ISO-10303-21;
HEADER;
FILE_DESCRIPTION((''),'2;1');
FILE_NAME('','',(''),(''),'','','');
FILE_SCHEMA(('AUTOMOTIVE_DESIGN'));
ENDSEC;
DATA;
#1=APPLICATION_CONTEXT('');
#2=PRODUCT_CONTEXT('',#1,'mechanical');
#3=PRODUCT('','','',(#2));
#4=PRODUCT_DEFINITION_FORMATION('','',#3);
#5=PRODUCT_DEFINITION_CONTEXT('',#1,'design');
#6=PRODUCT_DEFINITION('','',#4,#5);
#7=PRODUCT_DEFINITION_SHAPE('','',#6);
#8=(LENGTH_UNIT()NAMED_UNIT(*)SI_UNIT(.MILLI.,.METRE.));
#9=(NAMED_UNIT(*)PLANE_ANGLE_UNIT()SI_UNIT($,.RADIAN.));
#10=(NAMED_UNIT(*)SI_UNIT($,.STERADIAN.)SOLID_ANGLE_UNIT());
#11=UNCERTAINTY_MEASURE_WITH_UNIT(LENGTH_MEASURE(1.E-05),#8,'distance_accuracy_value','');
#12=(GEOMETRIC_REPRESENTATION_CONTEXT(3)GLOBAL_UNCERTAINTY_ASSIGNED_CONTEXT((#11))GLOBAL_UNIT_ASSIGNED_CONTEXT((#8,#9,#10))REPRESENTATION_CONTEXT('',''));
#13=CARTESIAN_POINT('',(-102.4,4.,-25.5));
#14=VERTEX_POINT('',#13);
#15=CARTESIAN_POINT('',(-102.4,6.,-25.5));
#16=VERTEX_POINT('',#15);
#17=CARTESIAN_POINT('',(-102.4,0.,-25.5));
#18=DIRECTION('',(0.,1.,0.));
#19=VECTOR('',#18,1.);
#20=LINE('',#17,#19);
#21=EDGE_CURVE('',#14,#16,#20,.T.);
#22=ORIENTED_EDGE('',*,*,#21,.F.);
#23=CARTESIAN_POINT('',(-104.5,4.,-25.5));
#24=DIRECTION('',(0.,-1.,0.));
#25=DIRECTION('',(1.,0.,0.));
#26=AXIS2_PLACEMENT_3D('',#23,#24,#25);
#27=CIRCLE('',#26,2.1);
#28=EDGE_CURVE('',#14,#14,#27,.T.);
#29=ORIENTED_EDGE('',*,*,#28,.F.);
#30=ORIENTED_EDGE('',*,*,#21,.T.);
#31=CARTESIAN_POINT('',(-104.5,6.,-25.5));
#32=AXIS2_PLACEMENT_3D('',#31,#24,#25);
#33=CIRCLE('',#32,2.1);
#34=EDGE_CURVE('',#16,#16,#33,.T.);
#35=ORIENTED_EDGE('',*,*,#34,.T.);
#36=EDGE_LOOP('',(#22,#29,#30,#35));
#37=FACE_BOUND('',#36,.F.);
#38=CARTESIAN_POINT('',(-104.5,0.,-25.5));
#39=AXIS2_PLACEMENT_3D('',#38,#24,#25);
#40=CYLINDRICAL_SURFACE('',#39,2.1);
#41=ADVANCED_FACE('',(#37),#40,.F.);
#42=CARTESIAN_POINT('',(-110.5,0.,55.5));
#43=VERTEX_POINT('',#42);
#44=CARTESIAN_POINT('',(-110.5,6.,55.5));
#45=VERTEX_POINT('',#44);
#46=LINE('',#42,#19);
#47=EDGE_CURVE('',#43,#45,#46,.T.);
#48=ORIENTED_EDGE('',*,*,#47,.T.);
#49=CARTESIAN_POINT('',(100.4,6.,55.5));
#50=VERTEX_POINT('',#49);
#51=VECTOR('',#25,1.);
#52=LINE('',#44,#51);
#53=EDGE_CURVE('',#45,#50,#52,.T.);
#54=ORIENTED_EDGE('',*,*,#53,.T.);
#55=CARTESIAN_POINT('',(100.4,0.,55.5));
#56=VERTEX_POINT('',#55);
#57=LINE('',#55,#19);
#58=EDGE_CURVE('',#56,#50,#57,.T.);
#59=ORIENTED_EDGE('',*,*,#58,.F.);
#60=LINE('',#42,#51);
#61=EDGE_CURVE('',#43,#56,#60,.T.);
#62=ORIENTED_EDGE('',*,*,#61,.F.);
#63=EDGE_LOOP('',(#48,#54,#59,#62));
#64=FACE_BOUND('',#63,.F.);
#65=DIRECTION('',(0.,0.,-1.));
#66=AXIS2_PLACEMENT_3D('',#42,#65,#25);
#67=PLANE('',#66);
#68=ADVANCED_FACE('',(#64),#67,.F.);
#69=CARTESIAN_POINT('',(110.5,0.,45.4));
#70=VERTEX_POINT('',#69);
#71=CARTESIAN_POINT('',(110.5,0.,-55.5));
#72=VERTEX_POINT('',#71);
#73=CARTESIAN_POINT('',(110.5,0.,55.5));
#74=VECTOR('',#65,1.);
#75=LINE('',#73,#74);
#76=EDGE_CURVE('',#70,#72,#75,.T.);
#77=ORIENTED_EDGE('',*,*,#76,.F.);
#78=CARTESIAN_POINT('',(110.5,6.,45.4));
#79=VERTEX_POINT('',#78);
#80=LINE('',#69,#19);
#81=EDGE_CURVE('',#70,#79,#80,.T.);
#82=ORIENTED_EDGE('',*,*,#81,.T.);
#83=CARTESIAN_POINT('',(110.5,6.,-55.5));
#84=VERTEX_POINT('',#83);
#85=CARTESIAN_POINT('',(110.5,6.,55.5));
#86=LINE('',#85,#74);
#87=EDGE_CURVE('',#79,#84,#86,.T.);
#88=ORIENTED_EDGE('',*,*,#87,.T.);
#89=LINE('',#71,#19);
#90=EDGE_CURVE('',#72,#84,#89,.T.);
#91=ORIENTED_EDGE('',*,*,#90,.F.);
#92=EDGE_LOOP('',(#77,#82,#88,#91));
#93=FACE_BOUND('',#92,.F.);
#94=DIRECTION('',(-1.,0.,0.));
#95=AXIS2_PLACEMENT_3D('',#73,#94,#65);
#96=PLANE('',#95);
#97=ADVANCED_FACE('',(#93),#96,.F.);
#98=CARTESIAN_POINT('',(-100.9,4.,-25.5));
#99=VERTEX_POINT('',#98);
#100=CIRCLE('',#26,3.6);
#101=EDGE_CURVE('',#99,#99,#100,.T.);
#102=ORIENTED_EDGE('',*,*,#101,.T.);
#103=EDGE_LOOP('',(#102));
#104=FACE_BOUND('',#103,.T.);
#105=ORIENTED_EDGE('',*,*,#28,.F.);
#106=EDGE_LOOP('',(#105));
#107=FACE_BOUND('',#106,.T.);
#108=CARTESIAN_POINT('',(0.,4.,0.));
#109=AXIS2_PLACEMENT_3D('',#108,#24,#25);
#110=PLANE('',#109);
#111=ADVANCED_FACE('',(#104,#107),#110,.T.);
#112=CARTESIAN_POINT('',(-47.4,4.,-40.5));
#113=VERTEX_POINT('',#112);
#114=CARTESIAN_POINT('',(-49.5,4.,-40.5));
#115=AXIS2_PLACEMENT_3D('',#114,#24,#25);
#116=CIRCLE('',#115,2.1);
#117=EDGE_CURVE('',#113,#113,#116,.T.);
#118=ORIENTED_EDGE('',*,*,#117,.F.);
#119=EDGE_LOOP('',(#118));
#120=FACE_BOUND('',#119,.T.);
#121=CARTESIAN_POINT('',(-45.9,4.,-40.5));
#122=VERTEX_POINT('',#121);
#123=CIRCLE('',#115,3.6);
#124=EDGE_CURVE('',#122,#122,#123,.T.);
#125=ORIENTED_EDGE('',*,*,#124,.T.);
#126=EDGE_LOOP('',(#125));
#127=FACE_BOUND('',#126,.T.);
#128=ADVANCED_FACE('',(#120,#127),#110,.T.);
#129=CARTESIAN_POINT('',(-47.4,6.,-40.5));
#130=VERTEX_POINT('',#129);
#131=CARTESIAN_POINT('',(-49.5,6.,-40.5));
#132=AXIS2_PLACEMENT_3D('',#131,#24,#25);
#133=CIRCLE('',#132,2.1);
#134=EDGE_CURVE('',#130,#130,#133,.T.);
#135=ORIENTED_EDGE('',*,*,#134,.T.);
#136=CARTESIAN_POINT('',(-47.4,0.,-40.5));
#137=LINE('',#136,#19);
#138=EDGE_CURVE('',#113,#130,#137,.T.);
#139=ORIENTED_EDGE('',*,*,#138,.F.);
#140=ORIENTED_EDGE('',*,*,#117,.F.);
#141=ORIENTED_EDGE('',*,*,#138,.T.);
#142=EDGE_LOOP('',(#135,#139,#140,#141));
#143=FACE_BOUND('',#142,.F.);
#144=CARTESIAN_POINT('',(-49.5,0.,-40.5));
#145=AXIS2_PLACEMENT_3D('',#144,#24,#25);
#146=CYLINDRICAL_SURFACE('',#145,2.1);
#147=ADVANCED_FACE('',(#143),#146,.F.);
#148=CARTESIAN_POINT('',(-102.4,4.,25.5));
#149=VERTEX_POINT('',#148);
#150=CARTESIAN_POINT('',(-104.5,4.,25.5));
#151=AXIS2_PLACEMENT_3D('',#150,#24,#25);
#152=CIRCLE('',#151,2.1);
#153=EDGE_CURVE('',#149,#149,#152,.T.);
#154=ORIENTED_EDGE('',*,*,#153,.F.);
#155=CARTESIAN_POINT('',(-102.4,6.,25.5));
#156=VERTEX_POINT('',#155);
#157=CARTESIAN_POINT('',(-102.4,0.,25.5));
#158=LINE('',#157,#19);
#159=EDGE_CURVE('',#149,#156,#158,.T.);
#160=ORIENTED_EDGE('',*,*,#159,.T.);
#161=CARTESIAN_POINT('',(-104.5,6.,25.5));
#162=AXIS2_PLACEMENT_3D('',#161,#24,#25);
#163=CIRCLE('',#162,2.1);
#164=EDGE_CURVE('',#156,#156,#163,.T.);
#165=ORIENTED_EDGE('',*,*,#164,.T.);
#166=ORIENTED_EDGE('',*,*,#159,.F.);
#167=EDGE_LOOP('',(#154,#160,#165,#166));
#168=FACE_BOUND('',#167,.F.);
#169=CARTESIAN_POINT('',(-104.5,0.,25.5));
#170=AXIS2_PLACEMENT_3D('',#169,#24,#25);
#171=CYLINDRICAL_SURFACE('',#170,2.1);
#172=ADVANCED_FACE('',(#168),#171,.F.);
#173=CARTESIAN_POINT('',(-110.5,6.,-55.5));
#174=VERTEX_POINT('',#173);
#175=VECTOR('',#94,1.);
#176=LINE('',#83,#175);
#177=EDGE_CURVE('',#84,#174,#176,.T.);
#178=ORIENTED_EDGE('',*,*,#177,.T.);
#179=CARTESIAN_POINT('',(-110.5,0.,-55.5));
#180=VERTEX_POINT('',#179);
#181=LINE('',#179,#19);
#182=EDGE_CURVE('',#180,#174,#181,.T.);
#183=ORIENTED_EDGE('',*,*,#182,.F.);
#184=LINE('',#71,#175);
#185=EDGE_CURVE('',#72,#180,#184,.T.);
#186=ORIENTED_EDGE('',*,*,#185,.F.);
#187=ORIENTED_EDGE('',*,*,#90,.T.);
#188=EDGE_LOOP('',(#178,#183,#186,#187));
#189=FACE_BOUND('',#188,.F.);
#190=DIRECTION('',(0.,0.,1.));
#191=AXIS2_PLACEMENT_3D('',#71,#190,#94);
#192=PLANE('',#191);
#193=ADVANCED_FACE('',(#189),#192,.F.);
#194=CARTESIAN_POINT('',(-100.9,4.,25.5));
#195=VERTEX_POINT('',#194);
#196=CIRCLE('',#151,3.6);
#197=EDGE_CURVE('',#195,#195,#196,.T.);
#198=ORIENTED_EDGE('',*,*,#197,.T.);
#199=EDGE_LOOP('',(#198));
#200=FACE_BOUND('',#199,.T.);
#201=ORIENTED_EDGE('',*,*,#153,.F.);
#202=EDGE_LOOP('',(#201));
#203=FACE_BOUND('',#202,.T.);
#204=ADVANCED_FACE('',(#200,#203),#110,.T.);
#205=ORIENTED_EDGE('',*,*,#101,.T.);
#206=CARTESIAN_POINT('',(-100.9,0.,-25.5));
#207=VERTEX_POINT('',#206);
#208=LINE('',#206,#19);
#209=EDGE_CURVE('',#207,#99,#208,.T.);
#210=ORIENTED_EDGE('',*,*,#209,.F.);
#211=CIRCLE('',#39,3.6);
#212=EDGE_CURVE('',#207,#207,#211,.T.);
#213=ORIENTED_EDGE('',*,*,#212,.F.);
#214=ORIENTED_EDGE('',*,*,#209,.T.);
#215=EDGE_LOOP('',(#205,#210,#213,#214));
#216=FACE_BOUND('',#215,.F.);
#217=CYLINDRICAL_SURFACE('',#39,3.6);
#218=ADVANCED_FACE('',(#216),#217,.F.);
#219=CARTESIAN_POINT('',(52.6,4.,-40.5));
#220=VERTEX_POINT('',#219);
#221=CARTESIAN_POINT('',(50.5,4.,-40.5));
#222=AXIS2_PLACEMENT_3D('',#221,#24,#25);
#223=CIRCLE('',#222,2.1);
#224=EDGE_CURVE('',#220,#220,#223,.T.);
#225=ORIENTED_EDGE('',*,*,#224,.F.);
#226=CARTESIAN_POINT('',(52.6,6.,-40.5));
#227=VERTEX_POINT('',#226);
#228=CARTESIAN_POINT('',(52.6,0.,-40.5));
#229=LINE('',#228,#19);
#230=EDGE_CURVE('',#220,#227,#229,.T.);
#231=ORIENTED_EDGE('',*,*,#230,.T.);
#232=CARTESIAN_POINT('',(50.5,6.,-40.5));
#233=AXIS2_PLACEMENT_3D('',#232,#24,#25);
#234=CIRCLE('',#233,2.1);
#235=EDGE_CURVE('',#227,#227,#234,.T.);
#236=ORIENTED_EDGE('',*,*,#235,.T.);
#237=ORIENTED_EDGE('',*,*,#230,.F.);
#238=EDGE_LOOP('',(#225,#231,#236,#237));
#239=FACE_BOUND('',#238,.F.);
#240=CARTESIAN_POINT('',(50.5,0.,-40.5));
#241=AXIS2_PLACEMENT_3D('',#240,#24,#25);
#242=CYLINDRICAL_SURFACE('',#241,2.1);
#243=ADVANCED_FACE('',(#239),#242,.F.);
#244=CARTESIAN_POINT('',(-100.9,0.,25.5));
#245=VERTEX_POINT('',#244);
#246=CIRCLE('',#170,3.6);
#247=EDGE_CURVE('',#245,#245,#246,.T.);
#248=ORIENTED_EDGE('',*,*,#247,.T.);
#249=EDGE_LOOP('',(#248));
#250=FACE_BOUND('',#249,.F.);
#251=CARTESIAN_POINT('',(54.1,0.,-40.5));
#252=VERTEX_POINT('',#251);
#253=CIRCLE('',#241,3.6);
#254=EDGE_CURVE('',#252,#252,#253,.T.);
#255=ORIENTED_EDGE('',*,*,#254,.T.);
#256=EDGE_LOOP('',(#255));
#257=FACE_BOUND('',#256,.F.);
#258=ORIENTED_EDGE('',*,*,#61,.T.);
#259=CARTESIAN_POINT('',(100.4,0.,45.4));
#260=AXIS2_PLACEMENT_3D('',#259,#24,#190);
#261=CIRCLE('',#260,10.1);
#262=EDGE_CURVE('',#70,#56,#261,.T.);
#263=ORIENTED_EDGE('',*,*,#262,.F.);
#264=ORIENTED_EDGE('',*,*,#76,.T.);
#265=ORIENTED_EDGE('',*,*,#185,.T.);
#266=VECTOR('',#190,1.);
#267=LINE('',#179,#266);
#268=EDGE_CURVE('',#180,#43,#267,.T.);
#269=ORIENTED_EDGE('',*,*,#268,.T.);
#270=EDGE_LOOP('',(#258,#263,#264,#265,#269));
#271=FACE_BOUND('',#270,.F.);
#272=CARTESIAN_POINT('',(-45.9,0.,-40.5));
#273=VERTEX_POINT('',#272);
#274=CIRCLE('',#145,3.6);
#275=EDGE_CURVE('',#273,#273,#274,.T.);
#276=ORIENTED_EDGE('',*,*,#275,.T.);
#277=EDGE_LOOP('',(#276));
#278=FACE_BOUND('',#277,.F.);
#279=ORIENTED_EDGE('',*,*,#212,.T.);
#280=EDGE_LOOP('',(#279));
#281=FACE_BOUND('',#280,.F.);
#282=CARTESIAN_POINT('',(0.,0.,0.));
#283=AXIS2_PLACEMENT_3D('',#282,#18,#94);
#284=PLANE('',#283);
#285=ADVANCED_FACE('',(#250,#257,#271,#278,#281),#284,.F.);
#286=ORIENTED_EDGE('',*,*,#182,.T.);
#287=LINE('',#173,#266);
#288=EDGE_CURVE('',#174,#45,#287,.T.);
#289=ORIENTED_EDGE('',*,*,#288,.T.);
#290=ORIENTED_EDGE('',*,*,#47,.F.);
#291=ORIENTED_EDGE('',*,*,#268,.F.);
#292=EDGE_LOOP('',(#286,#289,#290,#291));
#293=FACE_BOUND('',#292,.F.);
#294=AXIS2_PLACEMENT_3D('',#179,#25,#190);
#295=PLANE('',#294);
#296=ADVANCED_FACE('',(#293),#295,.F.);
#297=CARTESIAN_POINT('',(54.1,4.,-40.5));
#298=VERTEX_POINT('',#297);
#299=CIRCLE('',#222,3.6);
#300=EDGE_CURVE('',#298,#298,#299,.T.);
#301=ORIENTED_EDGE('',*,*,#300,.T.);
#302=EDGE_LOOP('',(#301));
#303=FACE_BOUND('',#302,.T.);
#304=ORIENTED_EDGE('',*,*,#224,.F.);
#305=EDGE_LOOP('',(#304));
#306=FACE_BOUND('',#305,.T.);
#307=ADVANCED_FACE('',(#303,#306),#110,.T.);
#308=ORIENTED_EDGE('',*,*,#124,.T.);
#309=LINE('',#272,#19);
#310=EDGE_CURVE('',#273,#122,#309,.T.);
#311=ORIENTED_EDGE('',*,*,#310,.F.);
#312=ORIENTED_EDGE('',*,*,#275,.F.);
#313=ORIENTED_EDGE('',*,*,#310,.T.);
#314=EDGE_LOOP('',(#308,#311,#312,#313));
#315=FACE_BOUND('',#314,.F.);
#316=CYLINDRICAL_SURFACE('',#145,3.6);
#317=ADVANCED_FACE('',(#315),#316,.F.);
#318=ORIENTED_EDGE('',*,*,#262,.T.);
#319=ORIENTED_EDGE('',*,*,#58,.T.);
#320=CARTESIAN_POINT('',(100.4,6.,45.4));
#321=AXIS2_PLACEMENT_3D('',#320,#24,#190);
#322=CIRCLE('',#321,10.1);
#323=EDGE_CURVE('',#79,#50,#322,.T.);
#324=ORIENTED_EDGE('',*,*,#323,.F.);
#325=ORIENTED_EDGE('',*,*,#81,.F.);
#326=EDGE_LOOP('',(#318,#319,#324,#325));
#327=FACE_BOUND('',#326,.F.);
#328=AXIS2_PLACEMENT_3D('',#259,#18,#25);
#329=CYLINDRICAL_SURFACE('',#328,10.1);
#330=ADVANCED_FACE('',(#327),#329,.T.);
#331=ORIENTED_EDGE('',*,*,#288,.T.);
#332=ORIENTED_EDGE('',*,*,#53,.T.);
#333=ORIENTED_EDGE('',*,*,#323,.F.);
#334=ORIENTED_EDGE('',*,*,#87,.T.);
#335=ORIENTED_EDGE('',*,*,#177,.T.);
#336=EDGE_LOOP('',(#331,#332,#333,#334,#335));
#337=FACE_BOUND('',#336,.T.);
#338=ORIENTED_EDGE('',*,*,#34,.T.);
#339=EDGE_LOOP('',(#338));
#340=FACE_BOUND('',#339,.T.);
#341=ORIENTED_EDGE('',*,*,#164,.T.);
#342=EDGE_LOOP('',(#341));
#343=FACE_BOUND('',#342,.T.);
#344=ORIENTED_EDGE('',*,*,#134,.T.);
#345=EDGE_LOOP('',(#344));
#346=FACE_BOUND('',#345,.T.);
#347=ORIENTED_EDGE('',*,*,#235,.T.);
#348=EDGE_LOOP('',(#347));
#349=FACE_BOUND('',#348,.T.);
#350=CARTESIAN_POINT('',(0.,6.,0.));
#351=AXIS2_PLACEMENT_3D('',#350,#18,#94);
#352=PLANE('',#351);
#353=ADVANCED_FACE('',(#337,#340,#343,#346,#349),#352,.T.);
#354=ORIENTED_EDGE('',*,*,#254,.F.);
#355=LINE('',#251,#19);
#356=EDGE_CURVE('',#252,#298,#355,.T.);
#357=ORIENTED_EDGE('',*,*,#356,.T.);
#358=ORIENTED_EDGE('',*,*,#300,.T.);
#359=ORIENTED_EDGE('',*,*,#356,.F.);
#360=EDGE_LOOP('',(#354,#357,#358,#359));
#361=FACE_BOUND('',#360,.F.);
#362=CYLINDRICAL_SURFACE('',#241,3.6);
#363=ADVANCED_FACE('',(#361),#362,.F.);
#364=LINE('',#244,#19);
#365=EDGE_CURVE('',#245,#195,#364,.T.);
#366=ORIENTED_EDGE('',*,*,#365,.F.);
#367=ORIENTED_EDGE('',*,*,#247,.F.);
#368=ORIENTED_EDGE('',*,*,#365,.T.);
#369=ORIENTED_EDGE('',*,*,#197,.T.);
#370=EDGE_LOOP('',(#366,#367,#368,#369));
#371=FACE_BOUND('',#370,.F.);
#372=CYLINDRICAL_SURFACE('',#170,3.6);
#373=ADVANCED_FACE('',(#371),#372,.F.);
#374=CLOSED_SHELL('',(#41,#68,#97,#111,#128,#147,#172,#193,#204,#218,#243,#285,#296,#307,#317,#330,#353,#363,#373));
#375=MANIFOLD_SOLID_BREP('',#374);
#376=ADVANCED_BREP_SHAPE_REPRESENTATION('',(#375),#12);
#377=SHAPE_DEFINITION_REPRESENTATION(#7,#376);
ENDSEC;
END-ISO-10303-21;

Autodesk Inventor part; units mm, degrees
ref_plane "YZ Plane" through (0, 0, 0) normal (1, 0, 0) x (0, 1, 0)
ref_plane "XZ Plane" through (0, 0, 0) normal (0, 1, 0) x (-1, 0, 0)
ref_plane "XY Plane" through (0, 0, 0) normal (0, 0, 1) x (1, 0, 0)
sketch "草图1" plane through (0, 0, 0) normal (0, 1, 0) x (-1, 0, 0)
  line L0 (110.5, 55.5) -> (-110.5, 55.5)
  line L1 (-110.5, 55.5) -> (-110.5, -55.5)
  line L2 (-110.5, -55.5) -> (110.5, -55.5)
  line L3 (110.5, -55.5) -> (110.5, 55.5)
  line L4 (0, 7.5575) -> (0, -11)
  line L5 (8.5019, 0) -> (-7, 0)
  point P0 (0, 0)
  point P1 (0, 0)
  dimension "d0" = 221
  dimension "d1" = 111
extrude "拉伸1" add sketch "草图1" along normal blind 6
fillet "圆角1" radius 10.1 1 edges at (110.5, 3, 55.5)
sketch "草图2" plane through (0, 0, 0) normal (0, -1, 0) x (1, 0, 0)
  circle A0 centre (-104.5, 25.5) radius 2.1
  circle A1 centre (-104.5, -25.5) radius 2.1
  line L0 (-110.5, -55.5) -> (-110.5, 55.5) projected
  line L1 (110.5, -55.5) -> (-110.5, -55.5) projected
  line L2 (-110.5, 55.5) -> (100.4, 55.5) projected
  point P0 (0, 0)
  dimension "d5" = 4.2
  dimension "d6" = 4.2
  dimension "d7" = 6
  dimension "d8" = 6
  dimension "d9" = 30
  dimension "d10" = 30
extrude "拉伸2" cut sketch "草图2" against normal blind 6
sketch "草图3" plane through (0, 0, 0) normal (0, -1, 0) x (1, 0, 0)
  circle A0 centre (-104.5, 25.5) radius 2.1 projected
  circle A1 centre (-104.5, 25.5) radius 3.6
  circle A2 centre (-104.5, -25.5) radius 2.1 projected
  circle A3 centre (-104.5, -25.5) radius 3.6
  point P0 (0, 0)
  dimension "d13" = 7.2
  dimension "d14" = 7.2
extrude "拉伸3" cut sketch "草图3" against normal blind 4
sketch "草图4" plane through (0, 0, 0) normal (0, -1, 0) x (1, 0, 0)
  circle A0 centre (-49.5, -40.5) radius 2.1
  circle A1 centre (50.5, -40.5) radius 2.1
  line L0 (110.5, -55.5) -> (-110.5, -55.5) projected
  line L1 (110.5, 45.4) -> (110.5, -55.5) projected
  point P0 (0, 0)
  dimension "d17" = 4.2
  dimension "d18" = 4.2
  dimension "d19" = 15
  dimension "d20" = 15
  dimension "d21" = 60
  dimension "d22" = 100
extrude "拉伸4" cut sketch "草图4" against normal blind 10
sketch "草图5" plane through (0, 0, 0) normal (0, -1, 0) x (1, 0, 0)
  circle A0 centre (-49.5, -40.5) radius 2.1 projected
  circle A1 centre (-49.5, -40.5) radius 3.6
  circle A2 centre (50.5, -40.5) radius 2.1 projected
  circle A3 centre (50.5, -40.5) radius 3.6
  point P0 (0, 0)
  dimension "d25" = 7.2
  dimension "d26" = 7.2
extrude "拉伸5" cut sketch "草图5" against normal blind 4 contours A0 | A1 | A2 | A3
properties part number "底板_B"
